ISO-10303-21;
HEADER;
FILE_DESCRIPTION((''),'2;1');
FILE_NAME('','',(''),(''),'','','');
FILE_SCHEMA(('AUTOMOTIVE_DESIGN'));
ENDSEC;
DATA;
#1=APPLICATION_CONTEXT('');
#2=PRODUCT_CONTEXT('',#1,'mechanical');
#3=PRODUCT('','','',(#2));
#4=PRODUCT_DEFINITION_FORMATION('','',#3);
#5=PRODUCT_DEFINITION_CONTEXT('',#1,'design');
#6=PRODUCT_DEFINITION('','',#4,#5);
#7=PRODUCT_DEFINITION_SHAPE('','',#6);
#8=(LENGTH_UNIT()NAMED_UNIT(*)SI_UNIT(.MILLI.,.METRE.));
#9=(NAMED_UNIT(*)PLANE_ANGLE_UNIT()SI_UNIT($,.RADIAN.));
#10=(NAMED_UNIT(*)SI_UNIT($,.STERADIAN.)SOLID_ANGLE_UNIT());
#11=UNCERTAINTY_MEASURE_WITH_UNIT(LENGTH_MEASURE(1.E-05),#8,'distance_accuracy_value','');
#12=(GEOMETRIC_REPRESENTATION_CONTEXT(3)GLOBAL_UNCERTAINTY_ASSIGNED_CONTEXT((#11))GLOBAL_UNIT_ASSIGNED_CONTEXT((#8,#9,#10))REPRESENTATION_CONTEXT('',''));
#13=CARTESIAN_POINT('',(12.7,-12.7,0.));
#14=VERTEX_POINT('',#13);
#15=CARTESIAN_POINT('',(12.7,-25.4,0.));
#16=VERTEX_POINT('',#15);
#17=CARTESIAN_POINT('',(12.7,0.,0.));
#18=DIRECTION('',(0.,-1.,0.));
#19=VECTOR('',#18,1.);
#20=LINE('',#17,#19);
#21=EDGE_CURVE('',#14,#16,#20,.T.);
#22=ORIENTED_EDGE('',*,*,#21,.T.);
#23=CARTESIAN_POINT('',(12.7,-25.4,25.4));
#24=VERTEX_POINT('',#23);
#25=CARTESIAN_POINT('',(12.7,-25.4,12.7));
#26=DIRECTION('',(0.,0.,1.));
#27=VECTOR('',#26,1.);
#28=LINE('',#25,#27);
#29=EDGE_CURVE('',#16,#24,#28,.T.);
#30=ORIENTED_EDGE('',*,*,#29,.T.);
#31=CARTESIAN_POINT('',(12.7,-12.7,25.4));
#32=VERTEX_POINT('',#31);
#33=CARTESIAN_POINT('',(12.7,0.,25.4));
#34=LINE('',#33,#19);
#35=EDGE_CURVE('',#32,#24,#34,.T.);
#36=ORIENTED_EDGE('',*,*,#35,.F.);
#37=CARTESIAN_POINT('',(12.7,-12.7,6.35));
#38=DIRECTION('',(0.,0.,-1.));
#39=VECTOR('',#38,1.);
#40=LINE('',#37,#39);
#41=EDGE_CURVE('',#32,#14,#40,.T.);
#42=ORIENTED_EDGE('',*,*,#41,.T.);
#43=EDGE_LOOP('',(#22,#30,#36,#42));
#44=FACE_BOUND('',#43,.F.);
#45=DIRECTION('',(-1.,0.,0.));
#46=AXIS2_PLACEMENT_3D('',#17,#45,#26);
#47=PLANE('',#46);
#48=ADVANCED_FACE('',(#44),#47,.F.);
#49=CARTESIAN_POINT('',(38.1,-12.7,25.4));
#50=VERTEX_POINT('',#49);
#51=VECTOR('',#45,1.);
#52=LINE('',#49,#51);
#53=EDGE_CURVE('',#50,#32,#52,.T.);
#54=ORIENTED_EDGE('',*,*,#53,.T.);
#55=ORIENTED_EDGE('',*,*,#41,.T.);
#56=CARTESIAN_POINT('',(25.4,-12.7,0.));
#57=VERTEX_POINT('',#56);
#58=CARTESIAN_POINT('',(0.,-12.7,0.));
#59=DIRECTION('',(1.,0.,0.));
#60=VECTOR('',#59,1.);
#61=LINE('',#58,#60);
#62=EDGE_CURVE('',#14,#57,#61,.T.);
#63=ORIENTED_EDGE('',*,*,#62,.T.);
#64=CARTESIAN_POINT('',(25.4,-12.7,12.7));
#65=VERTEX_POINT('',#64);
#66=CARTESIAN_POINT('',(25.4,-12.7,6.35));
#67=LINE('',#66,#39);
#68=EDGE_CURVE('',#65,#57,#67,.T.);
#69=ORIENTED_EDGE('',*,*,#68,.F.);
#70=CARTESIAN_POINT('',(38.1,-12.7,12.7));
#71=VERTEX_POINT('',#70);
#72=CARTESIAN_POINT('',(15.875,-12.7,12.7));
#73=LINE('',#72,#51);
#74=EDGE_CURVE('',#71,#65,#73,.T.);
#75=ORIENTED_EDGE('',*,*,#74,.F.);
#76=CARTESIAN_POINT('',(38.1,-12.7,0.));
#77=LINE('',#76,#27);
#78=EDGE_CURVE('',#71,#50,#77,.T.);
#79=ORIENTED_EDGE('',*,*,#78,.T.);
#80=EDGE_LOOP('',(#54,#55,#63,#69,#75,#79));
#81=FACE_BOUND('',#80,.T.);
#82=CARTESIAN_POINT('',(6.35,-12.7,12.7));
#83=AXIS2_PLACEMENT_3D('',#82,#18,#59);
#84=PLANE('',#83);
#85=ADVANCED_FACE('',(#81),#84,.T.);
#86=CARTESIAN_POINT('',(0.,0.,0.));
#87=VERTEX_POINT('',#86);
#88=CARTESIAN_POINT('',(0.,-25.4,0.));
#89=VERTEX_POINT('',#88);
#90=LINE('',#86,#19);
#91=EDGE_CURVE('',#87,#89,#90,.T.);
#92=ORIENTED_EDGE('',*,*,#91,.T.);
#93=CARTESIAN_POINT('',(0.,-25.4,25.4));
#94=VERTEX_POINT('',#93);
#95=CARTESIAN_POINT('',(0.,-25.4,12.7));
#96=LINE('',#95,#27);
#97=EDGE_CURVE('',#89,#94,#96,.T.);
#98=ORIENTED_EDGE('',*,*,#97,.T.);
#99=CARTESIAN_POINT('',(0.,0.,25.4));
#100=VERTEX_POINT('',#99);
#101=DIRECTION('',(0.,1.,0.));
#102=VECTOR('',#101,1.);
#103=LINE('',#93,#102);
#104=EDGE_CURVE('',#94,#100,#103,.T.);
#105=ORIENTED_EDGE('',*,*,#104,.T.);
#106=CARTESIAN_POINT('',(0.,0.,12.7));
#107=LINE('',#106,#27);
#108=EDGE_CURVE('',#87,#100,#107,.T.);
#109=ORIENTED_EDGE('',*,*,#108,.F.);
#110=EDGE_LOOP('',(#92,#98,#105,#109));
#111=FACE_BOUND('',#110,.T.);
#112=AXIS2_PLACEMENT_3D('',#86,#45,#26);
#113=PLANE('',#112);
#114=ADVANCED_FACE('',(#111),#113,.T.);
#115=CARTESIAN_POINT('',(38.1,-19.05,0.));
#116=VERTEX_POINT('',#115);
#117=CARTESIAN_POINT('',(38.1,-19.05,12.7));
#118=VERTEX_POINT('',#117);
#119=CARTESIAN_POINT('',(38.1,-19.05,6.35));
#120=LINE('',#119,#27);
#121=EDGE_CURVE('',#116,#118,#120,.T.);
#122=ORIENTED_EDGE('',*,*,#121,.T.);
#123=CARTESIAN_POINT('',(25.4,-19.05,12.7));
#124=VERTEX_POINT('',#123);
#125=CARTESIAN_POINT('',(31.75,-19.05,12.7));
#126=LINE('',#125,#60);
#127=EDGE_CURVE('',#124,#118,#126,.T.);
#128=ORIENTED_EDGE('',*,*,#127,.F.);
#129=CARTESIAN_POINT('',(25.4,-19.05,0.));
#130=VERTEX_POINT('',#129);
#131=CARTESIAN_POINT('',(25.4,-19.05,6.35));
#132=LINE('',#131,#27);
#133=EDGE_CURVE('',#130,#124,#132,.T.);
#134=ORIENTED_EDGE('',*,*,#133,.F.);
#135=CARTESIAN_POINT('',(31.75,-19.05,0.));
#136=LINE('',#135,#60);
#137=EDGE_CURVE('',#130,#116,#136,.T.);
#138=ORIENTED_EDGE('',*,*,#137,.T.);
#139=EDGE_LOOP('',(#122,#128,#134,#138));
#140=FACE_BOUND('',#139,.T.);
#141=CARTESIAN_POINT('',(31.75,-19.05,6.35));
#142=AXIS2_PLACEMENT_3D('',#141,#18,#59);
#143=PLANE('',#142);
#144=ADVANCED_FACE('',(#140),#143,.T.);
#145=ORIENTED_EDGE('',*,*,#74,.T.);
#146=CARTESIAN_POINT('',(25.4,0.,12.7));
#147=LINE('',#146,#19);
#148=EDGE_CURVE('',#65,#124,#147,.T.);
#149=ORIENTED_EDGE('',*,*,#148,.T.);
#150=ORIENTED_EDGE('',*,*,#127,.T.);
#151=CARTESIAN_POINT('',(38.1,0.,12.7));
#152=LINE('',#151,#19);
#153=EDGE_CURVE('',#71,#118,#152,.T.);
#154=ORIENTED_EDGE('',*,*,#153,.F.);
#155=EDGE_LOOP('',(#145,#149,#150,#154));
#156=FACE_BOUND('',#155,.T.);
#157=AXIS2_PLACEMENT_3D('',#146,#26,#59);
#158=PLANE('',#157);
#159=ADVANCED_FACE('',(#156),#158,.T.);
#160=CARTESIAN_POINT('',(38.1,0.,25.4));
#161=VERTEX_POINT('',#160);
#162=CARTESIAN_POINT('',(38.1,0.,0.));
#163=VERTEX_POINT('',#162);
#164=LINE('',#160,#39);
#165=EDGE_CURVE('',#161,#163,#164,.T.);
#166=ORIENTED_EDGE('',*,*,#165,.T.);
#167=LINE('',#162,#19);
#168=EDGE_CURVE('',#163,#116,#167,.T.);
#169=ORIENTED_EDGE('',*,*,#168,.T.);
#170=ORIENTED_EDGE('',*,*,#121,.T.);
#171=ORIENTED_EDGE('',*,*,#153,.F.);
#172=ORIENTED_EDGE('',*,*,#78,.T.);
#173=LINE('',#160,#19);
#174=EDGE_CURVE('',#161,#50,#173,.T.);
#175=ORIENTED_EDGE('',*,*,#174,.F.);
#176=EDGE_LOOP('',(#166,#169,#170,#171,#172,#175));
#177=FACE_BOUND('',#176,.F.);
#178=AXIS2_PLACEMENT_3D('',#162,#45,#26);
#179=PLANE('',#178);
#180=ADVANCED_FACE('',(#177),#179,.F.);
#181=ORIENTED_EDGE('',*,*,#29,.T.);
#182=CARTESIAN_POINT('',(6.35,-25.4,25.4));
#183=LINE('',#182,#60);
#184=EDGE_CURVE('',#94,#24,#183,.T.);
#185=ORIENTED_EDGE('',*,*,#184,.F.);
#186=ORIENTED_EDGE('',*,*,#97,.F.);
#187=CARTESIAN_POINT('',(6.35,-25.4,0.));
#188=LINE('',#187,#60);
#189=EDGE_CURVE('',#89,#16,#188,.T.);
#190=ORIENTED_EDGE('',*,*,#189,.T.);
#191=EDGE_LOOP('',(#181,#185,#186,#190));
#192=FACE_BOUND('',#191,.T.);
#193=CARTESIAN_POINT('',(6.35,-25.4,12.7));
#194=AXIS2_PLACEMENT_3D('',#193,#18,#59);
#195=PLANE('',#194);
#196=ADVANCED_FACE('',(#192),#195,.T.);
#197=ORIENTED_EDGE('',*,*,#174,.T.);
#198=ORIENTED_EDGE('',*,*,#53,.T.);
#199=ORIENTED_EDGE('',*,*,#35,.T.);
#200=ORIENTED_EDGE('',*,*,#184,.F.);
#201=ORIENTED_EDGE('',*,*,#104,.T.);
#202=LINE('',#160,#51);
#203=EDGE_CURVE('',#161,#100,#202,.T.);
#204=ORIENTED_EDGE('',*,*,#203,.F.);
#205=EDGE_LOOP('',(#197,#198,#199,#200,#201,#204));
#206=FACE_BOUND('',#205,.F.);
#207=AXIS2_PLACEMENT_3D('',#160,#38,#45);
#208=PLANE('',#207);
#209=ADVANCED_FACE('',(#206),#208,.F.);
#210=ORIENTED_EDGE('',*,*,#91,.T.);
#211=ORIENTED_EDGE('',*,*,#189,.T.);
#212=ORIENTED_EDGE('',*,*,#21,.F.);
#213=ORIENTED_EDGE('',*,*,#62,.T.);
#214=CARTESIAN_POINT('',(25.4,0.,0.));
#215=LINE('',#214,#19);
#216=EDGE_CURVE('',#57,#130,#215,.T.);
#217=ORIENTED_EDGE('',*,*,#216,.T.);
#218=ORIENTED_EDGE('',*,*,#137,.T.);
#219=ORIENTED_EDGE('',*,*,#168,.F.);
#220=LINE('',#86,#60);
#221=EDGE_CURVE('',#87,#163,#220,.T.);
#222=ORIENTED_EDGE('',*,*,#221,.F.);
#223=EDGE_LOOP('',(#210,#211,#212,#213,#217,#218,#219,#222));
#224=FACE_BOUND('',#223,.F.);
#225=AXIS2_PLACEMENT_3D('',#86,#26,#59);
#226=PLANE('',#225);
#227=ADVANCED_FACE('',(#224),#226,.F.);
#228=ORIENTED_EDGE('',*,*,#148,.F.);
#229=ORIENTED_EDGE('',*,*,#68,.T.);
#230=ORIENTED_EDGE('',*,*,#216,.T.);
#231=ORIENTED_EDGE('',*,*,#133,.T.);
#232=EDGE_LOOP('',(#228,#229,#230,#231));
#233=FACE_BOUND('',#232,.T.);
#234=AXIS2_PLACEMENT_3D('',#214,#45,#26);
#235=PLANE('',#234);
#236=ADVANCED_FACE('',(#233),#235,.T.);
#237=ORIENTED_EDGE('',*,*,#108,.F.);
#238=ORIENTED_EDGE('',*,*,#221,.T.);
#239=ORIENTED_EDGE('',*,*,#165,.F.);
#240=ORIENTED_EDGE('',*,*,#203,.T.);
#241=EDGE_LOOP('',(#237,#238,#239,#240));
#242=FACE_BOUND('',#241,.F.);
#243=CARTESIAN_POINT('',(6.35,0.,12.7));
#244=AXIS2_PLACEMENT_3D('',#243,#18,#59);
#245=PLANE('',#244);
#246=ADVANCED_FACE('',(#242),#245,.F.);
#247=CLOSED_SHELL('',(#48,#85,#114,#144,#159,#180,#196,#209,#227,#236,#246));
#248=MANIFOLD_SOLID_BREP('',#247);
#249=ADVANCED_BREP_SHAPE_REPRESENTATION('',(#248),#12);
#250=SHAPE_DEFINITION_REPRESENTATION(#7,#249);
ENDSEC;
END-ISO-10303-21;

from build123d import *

# Parameters (mm, degrees)
F0_W     = 12.7
F0_H     = 25.4
F0_H_2   = 12.7
F1_DEPTH = 12.7
F2_DEPTH = 25.4
F3_DEPTH = 19.05


with BuildPart() as f1:
    # F0 (on Front) → F1 (new body)
    with BuildSketch(Plane.XZ):
        with Locations((6.35, 12.7)):
            Rectangle(F0_W, F0_H)
        Polygon((12.7, 25.4), (12.7, 0), (25.4, 0), (25.4, 12.7), (38.1, 12.7), (38.1, 25.4), align=None)
        with Locations((31.75, 6.35)):
            Rectangle(F0_W, F0_H_2)
    extrude(amount=F1_DEPTH)

    # F0 (on Front) → F2 (join)
    with BuildSketch(Plane.XZ):
        with Locations((6.35, 12.7)):
            Rectangle(F0_W, F0_H)
    extrude(amount=F2_DEPTH)

    # F0 (on Front) → F3 (join)
    with BuildSketch(Plane.XZ):
        with Locations((31.75, 6.35)):
            Rectangle(F0_W, F0_H_2)
    extrude(amount=F3_DEPTH)


solid = f1.part
